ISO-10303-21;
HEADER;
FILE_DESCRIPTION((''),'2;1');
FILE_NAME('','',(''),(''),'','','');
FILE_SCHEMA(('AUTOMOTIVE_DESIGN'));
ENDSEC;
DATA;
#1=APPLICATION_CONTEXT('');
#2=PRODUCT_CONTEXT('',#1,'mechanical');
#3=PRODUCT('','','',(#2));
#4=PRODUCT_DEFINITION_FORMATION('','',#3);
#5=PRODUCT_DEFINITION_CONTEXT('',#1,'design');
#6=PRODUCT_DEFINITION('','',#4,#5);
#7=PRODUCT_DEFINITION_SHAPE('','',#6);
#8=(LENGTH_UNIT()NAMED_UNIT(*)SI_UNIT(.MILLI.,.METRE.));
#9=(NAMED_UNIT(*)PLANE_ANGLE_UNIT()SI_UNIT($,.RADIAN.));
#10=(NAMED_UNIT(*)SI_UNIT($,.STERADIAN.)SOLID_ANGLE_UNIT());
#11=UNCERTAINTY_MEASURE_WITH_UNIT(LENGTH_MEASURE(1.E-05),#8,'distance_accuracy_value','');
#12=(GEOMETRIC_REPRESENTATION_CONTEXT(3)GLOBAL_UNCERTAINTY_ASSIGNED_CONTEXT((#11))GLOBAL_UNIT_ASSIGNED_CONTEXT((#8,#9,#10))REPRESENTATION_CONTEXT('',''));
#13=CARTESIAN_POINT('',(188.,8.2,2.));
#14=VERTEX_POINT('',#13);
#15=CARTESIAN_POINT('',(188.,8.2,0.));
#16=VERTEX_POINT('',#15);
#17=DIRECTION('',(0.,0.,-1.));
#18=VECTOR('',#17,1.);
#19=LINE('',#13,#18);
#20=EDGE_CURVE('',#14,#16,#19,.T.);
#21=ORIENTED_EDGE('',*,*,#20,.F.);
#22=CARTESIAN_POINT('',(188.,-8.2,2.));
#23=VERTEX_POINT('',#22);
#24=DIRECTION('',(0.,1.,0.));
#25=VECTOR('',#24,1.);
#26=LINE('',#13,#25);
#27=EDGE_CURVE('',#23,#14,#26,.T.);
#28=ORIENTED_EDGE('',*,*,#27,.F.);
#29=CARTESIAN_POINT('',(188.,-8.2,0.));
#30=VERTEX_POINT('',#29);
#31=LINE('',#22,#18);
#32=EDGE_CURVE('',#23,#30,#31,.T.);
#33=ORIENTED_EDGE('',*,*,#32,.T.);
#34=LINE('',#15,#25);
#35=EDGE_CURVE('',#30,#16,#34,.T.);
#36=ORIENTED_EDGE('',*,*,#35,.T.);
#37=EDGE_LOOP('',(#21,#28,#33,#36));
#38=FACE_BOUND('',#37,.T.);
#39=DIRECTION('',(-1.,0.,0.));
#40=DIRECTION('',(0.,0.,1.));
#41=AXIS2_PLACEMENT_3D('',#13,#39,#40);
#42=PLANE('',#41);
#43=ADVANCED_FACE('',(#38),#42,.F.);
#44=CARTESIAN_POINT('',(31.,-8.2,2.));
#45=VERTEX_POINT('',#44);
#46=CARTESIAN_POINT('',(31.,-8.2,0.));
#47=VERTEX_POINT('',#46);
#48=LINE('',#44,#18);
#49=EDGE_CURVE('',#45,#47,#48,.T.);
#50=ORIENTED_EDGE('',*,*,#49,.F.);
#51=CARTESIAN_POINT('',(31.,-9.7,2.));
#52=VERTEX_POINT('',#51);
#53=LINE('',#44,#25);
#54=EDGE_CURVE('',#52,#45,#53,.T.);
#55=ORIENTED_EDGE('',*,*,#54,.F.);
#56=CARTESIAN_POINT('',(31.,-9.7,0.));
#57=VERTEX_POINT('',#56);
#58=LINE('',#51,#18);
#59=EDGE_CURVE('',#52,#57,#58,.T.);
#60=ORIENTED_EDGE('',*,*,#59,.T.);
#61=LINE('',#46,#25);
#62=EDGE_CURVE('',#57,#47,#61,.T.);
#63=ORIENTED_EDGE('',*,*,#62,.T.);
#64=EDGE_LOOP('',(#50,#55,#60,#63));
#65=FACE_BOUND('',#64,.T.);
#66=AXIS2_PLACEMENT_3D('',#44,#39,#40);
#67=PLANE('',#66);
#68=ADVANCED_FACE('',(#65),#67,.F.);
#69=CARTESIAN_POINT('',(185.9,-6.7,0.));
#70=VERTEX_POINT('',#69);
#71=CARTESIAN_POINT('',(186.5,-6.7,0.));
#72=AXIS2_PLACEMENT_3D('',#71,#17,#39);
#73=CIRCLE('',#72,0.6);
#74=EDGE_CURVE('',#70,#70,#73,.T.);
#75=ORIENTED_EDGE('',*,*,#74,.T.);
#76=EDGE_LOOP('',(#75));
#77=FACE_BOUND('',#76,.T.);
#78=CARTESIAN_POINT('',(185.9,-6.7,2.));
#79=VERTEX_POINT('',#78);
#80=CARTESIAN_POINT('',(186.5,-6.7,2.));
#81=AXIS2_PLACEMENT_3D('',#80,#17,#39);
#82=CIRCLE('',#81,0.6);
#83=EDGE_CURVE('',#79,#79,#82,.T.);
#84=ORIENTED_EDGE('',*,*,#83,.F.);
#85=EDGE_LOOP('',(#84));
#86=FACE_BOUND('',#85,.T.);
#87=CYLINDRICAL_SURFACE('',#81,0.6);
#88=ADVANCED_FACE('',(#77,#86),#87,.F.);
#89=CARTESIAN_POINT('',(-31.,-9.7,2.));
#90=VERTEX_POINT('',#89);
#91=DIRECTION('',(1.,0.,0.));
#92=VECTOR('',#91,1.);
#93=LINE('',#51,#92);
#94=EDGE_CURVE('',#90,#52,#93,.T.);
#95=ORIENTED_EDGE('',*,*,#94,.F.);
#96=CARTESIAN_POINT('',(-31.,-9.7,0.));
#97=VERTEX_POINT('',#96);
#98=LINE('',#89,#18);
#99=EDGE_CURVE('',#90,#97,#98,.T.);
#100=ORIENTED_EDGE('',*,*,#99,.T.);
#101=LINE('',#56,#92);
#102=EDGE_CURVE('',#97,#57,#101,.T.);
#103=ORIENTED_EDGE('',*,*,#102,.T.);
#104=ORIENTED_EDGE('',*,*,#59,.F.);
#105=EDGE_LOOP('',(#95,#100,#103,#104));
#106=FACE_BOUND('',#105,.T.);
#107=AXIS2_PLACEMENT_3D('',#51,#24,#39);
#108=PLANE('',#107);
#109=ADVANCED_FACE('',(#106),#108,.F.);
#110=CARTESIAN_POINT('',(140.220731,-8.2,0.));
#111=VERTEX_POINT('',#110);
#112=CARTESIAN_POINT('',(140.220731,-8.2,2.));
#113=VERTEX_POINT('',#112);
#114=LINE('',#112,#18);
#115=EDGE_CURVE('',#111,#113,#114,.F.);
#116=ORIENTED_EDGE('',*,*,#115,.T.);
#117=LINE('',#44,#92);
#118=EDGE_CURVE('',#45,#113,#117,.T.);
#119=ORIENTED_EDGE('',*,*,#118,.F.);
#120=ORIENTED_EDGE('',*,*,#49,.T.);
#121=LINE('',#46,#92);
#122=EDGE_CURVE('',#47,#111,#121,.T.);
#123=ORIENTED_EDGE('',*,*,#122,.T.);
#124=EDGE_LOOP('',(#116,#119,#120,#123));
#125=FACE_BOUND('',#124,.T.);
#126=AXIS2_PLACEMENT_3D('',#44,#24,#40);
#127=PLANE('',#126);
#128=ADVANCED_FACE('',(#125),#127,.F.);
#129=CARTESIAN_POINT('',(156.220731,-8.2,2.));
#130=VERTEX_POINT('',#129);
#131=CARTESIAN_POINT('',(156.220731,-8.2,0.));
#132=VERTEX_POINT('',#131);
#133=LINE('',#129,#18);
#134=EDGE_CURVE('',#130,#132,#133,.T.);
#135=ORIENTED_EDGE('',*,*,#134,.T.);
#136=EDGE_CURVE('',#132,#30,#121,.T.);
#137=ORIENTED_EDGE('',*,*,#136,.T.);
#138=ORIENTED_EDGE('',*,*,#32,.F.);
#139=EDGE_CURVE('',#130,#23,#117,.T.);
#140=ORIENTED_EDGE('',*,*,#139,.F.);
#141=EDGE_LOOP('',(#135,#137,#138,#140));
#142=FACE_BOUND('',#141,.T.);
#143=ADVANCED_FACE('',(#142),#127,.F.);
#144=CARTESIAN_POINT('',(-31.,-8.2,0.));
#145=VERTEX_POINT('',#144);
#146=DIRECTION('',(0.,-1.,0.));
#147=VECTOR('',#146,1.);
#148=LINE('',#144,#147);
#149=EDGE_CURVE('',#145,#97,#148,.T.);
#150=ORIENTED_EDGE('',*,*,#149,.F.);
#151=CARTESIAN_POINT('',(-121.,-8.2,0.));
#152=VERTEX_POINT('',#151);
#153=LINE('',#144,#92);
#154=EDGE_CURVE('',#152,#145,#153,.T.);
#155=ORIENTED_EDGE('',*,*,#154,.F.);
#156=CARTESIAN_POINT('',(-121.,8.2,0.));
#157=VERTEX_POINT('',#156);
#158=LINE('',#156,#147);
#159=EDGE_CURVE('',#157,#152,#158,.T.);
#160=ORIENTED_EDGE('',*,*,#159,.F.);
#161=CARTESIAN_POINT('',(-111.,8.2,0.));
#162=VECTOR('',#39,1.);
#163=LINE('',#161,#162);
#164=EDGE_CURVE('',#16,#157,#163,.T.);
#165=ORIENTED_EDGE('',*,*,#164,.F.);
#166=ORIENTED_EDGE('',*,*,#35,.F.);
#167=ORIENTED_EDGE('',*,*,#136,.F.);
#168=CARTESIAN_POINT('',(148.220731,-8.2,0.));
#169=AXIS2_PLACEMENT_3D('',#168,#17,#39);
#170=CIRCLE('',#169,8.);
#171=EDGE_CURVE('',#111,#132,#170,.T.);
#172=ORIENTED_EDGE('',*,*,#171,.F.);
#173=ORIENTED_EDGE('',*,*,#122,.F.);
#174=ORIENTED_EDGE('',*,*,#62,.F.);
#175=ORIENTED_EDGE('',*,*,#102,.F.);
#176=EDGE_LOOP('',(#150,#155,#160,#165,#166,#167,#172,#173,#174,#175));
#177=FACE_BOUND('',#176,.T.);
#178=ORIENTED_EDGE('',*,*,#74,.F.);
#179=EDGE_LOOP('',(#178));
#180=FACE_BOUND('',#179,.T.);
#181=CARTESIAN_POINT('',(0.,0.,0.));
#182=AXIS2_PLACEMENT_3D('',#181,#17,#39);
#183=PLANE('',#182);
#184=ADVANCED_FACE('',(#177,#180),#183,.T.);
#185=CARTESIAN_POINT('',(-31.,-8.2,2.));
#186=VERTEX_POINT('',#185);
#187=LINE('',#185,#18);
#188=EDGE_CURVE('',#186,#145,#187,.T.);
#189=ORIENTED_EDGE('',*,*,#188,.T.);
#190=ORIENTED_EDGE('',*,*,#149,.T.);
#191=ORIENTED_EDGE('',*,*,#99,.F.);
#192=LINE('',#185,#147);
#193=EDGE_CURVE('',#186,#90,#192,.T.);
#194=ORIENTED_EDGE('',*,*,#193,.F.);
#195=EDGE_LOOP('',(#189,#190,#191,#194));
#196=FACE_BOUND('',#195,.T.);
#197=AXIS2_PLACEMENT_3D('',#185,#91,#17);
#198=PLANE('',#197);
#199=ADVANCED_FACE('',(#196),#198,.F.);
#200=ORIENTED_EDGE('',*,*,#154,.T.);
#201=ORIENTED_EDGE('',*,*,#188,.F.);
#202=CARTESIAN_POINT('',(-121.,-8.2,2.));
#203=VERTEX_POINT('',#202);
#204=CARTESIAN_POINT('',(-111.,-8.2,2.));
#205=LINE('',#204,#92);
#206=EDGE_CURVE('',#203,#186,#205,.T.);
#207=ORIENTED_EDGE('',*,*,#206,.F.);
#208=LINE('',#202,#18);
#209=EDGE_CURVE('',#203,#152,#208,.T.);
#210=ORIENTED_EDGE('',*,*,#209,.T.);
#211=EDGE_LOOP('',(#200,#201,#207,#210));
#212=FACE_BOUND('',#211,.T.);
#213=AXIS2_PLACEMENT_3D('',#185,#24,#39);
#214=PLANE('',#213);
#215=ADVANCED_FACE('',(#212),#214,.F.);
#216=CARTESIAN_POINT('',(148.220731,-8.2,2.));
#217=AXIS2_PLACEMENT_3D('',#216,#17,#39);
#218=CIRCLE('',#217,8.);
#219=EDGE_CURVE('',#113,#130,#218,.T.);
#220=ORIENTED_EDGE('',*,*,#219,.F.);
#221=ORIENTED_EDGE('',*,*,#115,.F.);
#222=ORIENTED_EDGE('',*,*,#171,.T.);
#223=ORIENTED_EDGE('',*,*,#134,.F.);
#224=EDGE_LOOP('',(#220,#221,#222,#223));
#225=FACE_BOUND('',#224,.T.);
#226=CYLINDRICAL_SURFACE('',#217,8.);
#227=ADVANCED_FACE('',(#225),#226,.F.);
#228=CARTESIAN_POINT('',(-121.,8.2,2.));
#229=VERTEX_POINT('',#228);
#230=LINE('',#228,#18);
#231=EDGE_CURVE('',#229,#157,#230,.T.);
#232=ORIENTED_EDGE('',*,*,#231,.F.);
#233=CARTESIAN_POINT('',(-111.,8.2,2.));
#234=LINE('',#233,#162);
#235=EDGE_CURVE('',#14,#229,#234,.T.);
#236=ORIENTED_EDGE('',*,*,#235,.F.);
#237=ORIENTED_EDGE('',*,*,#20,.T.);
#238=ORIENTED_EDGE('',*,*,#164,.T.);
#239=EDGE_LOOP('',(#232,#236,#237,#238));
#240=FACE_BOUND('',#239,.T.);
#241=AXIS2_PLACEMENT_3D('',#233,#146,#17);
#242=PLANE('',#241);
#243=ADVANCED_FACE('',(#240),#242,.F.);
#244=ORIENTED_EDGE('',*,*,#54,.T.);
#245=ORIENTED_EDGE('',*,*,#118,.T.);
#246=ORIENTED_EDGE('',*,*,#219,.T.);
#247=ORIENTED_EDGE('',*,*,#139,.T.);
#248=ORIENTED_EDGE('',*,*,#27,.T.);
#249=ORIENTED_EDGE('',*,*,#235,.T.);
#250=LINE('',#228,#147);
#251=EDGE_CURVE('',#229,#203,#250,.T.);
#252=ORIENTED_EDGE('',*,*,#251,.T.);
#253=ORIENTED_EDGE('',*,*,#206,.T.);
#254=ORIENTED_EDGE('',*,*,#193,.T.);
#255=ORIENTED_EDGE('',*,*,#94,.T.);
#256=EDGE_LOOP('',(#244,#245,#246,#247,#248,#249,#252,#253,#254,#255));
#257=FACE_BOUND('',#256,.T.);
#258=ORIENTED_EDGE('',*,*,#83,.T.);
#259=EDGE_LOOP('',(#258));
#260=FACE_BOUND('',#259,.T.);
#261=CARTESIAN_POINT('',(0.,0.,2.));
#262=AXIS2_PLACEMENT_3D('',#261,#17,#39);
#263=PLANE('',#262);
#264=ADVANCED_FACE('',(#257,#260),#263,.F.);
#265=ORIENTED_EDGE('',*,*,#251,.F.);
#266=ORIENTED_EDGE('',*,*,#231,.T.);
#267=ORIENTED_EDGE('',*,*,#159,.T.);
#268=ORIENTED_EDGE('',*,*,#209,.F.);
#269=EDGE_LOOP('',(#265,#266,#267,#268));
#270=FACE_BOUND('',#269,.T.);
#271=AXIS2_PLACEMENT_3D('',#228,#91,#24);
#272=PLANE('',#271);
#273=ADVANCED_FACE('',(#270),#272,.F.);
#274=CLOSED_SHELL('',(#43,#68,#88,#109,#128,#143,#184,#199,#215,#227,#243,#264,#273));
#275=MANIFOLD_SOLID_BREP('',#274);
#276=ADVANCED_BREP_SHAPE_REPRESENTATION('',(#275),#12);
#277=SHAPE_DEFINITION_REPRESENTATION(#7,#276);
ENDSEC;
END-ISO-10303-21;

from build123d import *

# Parameters (mm, degrees)
DODANIE_WYCI_GNI_CIE1_DEPTH = 2
SZKIC2_R                    = 0.6
SZKIC2_R_2                  = 8
WYTNIJ_WYCI_GNI_CIE1_DEPTH  = 2


with BuildPart() as part:
    # Szkic1 → Dodanie-wyciągnięcie1 (new body)
    with BuildSketch(Plane.XY):
        Polygon((-111, 8.2), (188, 8.2), (188, -8.2), (31, -8.2), (31, -9.7), (-31, -9.7), (-31, -8.2), (-111, -8.2), (-121, -8.2), (-121, 8.2), align=None)
    extrude(amount=DODANIE_WYCI_GNI_CIE1_DEPTH)

    # Szkic2 → Wytnij-wyciągnięcie1 (cut)
    with BuildSketch(Plane(origin=(0, 0, 0), x_dir=(-1, 0, 0), z_dir=(0, 0, -1))):
        with Locations((-186.5, -6.7)):
            Circle(SZKIC2_R)
        with Locations((-186.5, 11.2)):
            Circle(SZKIC2_R)
        with Locations((186.5, 11.2)):
            Circle(SZKIC2_R)
        with Locations((186.5, -11.2)):
            Circle(SZKIC2_R)
        with Locations((-148.220730504, -8.2)):
            Circle(SZKIC2_R_2)
    extrude(amount=-WYTNIJ_WYCI_GNI_CIE1_DEPTH, mode=Mode.SUBTRACT)


solid = part.part
